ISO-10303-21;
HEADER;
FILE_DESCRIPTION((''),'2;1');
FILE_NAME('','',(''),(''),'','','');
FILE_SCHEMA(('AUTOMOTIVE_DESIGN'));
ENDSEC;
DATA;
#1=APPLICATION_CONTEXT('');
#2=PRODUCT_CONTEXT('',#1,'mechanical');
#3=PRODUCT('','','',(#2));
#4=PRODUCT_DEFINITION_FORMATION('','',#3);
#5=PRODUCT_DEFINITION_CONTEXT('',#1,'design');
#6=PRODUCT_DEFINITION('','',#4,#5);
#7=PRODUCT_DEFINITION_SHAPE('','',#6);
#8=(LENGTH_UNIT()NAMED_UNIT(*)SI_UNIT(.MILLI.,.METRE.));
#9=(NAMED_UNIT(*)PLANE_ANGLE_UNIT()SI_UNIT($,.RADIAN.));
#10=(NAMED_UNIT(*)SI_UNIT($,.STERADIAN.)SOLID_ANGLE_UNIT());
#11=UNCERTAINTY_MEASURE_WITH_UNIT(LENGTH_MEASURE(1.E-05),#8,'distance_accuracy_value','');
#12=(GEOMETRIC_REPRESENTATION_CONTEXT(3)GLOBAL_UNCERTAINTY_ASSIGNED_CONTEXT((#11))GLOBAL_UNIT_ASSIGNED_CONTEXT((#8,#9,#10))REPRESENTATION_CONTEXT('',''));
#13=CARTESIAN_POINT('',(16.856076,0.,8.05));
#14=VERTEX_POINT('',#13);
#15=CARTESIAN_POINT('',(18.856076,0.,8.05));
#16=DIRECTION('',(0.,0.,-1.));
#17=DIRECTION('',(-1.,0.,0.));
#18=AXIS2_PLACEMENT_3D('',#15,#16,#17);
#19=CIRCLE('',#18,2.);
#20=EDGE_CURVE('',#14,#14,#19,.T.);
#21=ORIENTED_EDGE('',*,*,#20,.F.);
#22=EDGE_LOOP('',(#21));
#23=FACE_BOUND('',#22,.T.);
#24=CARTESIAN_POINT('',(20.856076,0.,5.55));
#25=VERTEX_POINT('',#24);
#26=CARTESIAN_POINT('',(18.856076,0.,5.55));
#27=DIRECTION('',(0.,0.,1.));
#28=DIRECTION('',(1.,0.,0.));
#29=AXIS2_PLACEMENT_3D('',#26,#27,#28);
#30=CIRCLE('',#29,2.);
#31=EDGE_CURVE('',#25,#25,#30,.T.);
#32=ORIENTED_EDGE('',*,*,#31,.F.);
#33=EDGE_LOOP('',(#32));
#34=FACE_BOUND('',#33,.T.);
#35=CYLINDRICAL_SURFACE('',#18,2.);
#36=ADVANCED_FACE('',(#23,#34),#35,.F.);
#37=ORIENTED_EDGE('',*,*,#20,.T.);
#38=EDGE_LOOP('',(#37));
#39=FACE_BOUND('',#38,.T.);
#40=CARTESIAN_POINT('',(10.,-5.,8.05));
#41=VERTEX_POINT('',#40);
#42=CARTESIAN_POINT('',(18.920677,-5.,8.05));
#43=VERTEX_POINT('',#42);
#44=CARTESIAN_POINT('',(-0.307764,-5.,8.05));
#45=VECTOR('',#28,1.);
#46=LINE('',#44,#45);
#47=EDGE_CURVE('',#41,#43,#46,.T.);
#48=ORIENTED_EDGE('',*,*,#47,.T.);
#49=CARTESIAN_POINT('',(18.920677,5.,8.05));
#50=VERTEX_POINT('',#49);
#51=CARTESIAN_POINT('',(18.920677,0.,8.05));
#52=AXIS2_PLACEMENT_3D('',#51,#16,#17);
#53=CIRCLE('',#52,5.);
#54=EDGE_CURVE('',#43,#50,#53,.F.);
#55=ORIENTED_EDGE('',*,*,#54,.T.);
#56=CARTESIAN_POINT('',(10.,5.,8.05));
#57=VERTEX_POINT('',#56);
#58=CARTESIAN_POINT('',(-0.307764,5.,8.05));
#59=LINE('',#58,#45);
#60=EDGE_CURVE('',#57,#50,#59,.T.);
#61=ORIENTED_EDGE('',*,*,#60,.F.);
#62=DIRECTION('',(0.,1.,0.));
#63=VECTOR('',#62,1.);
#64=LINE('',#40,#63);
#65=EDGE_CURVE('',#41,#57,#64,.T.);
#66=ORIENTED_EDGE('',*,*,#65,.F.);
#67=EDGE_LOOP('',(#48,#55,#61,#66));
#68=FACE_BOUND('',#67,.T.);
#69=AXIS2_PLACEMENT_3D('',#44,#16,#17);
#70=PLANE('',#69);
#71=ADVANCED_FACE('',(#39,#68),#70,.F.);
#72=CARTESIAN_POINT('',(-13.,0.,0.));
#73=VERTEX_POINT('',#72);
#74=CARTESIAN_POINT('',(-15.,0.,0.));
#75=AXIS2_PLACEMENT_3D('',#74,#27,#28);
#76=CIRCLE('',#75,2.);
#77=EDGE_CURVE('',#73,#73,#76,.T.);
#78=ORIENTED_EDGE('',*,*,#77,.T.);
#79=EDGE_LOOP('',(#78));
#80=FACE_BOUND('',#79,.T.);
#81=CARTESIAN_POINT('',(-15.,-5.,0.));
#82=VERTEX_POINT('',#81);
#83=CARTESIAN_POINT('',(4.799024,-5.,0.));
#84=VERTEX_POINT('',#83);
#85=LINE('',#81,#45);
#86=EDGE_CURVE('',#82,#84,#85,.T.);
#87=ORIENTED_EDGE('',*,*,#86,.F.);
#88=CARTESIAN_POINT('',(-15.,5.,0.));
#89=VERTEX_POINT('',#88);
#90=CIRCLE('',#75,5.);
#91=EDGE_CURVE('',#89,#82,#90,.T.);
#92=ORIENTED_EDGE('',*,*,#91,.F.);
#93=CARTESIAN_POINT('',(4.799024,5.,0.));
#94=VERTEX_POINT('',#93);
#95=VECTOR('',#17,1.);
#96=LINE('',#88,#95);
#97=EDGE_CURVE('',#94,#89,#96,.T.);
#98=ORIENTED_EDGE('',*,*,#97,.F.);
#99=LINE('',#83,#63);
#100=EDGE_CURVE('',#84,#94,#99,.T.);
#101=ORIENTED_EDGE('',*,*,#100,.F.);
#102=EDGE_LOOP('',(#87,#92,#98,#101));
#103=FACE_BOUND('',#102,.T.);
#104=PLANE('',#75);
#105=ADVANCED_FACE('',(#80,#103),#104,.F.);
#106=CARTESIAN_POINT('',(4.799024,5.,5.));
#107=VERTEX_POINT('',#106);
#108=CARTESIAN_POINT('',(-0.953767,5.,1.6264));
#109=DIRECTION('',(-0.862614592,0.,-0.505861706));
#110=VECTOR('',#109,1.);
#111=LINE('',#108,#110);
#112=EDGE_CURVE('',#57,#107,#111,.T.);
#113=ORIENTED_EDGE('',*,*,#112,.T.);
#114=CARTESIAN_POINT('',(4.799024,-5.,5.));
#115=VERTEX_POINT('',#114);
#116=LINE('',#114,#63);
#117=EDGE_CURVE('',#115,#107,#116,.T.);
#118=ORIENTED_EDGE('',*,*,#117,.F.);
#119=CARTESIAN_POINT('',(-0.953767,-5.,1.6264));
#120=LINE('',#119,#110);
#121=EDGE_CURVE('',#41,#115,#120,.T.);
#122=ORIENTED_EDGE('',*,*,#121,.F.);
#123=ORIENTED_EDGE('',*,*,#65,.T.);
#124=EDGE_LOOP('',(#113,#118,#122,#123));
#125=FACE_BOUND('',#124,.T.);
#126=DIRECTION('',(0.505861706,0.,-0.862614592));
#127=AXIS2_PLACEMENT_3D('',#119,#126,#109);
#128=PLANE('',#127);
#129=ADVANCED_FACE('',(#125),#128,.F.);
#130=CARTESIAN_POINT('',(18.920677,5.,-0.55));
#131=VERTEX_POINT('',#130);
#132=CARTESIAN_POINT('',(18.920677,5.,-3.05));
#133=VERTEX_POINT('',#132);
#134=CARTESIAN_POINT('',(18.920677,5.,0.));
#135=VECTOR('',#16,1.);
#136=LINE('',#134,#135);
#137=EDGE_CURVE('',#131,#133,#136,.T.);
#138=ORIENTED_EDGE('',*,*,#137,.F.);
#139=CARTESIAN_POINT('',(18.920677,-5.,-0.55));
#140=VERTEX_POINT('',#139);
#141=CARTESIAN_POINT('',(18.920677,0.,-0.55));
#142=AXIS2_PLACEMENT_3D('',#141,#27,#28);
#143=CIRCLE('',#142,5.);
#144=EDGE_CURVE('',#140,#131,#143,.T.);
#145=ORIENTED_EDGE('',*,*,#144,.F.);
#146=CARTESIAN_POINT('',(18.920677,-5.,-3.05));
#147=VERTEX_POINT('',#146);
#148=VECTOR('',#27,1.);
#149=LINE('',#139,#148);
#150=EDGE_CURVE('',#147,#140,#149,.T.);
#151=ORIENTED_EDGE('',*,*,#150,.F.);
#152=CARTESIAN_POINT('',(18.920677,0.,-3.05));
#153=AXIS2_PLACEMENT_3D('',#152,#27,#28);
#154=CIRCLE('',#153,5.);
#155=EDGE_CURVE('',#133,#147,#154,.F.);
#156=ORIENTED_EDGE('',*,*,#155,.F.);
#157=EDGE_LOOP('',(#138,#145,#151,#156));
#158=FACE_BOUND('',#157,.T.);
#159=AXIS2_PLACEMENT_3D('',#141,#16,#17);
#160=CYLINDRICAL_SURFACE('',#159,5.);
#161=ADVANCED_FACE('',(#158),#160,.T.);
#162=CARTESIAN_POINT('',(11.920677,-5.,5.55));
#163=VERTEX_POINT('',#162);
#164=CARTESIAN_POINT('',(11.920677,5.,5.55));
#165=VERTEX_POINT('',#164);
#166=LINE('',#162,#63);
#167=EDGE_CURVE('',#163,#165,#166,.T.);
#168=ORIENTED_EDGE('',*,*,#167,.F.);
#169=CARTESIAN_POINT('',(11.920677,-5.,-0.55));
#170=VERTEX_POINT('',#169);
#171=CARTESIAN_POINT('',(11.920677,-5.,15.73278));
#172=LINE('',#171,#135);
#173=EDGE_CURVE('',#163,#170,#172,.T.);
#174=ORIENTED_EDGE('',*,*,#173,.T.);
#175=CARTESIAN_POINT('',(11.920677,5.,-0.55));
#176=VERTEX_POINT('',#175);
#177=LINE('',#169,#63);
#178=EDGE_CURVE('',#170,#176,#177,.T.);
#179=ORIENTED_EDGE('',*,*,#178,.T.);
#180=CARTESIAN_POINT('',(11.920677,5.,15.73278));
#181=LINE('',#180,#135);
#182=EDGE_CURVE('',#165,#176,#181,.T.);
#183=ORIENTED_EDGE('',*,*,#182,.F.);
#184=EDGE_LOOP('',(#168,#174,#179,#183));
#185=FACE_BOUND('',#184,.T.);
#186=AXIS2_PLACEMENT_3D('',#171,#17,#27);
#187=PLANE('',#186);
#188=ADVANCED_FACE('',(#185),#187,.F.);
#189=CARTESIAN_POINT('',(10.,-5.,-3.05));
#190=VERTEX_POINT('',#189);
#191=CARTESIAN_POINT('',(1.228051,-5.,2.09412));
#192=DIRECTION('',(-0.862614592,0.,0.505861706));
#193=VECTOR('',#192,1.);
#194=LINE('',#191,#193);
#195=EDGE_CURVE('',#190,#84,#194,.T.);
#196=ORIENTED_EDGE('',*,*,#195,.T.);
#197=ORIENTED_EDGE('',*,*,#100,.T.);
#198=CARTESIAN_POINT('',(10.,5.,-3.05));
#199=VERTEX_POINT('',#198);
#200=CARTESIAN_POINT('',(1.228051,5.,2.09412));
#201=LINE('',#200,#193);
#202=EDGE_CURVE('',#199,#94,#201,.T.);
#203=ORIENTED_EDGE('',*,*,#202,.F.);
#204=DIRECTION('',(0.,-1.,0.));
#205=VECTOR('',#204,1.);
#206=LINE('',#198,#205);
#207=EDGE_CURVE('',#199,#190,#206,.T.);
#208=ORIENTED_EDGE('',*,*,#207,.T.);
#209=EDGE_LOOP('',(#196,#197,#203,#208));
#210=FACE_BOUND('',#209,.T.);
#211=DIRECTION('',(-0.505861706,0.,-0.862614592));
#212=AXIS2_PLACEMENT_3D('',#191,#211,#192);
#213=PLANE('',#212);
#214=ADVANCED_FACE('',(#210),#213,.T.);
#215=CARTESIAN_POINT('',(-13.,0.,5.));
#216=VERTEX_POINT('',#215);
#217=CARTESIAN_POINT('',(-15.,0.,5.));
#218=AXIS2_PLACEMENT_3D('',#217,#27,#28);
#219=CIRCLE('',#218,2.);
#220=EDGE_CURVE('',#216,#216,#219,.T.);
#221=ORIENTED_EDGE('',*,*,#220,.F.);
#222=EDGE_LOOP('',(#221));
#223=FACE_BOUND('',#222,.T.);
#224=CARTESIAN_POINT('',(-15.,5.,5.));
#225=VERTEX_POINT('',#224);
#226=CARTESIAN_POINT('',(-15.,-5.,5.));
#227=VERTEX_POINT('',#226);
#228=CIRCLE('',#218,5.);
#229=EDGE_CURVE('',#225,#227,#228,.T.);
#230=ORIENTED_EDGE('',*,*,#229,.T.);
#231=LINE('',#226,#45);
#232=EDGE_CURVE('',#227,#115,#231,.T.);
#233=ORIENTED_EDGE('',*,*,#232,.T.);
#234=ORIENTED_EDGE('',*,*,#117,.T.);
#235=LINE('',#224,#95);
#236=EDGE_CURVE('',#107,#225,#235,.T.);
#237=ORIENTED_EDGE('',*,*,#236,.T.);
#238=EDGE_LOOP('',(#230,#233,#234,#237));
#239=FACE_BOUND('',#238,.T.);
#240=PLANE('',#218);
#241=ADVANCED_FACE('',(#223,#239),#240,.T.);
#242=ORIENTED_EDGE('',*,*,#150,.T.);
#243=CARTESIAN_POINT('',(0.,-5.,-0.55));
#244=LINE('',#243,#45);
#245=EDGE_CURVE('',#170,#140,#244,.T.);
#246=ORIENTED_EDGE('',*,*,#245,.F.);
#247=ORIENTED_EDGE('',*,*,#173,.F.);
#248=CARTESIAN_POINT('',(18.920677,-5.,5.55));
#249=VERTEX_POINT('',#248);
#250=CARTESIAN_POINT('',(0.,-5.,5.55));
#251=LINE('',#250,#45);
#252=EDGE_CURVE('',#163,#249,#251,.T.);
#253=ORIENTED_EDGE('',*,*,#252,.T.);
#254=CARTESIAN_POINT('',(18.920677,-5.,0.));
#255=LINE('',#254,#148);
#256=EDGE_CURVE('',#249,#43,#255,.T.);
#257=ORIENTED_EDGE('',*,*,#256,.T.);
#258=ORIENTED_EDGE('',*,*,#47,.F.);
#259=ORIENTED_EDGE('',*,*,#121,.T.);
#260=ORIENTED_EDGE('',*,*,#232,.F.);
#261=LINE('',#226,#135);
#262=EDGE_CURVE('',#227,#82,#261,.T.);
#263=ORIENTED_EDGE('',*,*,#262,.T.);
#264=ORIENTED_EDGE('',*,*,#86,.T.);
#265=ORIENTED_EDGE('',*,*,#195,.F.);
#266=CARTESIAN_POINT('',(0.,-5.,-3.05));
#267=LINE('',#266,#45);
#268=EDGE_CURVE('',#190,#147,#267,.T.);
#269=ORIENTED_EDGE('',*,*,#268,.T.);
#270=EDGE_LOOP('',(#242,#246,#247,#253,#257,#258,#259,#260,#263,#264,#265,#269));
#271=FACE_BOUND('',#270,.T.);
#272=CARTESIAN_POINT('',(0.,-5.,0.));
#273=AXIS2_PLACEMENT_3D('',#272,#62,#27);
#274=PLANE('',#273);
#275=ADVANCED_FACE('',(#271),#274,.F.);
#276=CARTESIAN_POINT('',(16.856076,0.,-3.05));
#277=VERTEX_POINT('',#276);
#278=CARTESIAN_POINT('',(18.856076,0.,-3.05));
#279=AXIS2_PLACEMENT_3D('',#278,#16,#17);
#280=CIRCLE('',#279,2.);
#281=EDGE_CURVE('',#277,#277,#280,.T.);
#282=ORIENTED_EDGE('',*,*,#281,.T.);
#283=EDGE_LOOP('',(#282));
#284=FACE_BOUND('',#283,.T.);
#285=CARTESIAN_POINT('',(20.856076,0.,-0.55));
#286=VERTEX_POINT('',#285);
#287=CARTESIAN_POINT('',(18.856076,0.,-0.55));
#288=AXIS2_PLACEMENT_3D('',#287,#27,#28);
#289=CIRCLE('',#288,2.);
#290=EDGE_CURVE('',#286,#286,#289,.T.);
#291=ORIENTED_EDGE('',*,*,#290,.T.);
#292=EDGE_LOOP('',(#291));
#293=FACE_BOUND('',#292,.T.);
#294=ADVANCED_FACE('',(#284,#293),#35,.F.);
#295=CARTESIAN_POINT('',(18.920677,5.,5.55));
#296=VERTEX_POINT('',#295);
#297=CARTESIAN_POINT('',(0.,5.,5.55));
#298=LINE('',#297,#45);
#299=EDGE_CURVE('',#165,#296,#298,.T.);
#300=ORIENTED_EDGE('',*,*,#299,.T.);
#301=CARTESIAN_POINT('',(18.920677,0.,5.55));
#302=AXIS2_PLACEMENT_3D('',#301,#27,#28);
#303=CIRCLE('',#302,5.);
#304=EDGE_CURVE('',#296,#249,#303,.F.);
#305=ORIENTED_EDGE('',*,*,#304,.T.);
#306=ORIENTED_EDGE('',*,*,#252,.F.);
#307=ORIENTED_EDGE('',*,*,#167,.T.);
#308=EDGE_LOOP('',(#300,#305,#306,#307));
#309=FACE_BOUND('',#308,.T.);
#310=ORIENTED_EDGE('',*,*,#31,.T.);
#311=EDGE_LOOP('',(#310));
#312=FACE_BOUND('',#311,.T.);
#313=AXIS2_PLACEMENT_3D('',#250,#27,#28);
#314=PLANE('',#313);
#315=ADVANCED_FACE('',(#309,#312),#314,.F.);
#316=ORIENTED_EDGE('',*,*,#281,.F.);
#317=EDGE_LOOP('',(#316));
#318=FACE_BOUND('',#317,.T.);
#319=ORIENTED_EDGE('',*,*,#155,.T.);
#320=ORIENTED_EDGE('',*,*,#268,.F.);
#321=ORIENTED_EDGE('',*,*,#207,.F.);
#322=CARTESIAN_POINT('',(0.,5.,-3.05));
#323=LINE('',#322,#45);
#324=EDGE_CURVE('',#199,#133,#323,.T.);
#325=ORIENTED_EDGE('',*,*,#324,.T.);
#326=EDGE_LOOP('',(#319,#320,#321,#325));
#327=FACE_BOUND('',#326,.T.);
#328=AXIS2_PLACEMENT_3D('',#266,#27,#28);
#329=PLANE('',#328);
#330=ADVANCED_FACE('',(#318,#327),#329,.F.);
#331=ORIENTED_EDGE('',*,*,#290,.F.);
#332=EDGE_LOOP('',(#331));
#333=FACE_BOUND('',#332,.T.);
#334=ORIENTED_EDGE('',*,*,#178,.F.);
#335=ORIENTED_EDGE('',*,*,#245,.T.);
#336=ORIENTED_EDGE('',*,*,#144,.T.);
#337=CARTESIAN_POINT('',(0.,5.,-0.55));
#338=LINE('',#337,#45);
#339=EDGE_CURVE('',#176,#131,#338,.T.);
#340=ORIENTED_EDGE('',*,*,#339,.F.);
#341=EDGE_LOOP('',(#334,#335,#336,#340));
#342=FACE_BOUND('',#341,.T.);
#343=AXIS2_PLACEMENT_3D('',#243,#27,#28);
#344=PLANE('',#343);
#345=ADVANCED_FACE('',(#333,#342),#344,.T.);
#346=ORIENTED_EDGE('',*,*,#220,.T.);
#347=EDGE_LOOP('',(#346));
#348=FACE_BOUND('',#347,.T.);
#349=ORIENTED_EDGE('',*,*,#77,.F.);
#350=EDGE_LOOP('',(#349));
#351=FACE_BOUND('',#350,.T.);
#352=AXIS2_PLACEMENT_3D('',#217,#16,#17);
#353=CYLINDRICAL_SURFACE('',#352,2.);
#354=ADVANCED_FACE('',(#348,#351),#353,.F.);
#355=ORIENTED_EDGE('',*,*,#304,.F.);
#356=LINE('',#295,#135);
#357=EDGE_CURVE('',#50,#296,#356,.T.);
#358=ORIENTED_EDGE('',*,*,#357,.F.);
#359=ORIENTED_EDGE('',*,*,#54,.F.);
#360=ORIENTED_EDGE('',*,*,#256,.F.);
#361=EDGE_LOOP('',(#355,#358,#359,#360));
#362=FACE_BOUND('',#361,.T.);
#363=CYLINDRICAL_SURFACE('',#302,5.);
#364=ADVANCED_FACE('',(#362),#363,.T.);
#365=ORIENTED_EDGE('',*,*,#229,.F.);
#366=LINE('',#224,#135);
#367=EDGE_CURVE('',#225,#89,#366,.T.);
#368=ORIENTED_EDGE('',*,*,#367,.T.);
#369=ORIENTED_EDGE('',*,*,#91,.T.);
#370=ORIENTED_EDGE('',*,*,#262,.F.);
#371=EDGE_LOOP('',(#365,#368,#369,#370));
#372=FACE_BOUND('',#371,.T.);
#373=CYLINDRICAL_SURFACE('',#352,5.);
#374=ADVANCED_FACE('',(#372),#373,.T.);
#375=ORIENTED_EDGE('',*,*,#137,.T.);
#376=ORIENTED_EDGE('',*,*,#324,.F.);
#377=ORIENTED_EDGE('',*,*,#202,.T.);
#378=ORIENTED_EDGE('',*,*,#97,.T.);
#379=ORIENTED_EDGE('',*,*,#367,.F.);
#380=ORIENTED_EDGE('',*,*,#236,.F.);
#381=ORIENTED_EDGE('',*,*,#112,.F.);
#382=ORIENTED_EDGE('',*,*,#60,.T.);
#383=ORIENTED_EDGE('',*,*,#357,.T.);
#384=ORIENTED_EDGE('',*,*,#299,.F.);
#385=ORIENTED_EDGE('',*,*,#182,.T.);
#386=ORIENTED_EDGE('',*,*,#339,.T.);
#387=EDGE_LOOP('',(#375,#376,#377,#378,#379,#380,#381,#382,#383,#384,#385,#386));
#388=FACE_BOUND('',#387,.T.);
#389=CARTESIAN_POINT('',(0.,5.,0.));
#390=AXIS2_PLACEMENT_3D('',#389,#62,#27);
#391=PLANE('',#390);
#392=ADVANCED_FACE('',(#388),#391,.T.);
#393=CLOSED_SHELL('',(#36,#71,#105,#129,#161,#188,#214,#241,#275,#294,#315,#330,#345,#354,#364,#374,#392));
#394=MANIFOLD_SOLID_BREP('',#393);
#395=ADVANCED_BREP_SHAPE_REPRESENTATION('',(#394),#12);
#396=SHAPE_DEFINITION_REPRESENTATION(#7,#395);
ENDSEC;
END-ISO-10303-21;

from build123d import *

# Parameters (mm, degrees)
ESQUISSE1_R             = 2
BOSS_EXTRU_1_DEPTH      = 5
ESQUISSE2_W             = 12
ESQUISSE2_H             = 2.5
BOSS_EXTRU_2_DEPTH      = 10
BOSS_EXTRU_2_2_DEPTH    = 10
ESQUISSE5_W             = 1.920676926
ESQUISSE5_H             = 10
BOSS_EXTRU_4_DEPTH      = 6.1
ESQUISSE7_W             = 2.5
ESQUISSE7_H             = 10
BOSS_EXTRU_6_DEPTH      = 1.920676926
CONG_4_RADIUS           = 5
CONG_4_LENGTH           = 2.5
BOSS_EXTRU_5_DEPTH      = 10
ESQUISSE4_R             = 2
ENL_V_MAT_EXTRU_2_DEPTH = 27.8404319
CONG_5_RADIUS           = 5
CONG_5_LENGTH           = 2.5


with BuildPart() as part:
    # Esquisse1 → Boss.-Extru.1 (new body)
    with BuildSketch(Plane.XY):
        with BuildLine():
            Line((-15, 5), (10, 5))
            Line((10, 5), (10, -5))
            Line((10, -5), (-15, -5))
            ThreePointArc((-15, -5), (-20, 0), (-15, 5))
        make_face()
        with Locations((-15, 0)):
            Circle(ESQUISSE1_R, mode=Mode.SUBTRACT)
    extrude(amount=BOSS_EXTRU_1_DEPTH)

    # Esquisse5 → Boss.-Extru.4 (add)
    with BuildSketch(Plane.XY.offset(-0.55)):
        with Locations((10.960338463, 0)):
            Rectangle(ESQUISSE5_W, ESQUISSE5_H)
    extrude(amount=BOSS_EXTRU_4_DEPTH)



with BuildPart() as body_2:
    # Esquisse2 → Boss.-Extru.2 (new, through all)
    with BuildSketch(Plane(origin=(0, 5, 0), x_dir=(1, 0, 0), z_dir=(0, 1, 0))):
        with Locations((17.920676926, 1.8)):
            Rectangle(ESQUISSE2_W, ESQUISSE2_H)
    extrude(amount=-BOSS_EXTRU_2_DEPTH)


with BuildPart() as body_3:
    # Esquisse2 → Boss.-Extru.2 2 (new, through all)
    with BuildSketch(Plane(origin=(0, 5, 0), x_dir=(1, 0, 0), z_dir=(0, 1, 0))):
        with Locations((17.920676926, -6.8)):
            Rectangle(ESQUISSE2_W, ESQUISSE2_H)
    extrude(amount=-BOSS_EXTRU_2_2_DEPTH)


with BuildPart() as part_1:
    add(part.part)

    add(body_2.part)  # Boss.-Extru.6 merges body 2

    add(body_3.part)  # Boss.-Extru.6 merges body 3
    # Esquisse7 → Boss.-Extru.6 (add)
    with BuildSketch(Plane.ZY.offset(-11.920676926)):
        with Locations((-1.8, 0)):
            Rectangle(ESQUISSE7_W, ESQUISSE7_H)
        with Locations((6.8, 0)):
            Rectangle(ESQUISSE7_W, ESQUISSE7_H)
    extrude(amount=BOSS_EXTRU_6_DEPTH)

    # Congé4: full round fillet: the end face becomes a half cylinder, R = half its width
    cong_4_face = Plane((23.920676926, 0, 6.8), x_dir=(0, 0, 1), z_dir=(1, 0, 0))  # on the end face: x along it, z out of the body
    cong_4_slab = cong_4_face.offset(-CONG_4_RADIUS / 2) * Box(CONG_4_LENGTH, 2 * CONG_4_RADIUS, CONG_4_RADIUS, mode=Mode.PRIVATE)  # the body's end, R deep
    cong_4_round = Plane((18.920676926, 0, 6.8), x_dir=(1, 0, 0), z_dir=(0, 0, 1)) * Cylinder(CONG_4_RADIUS, CONG_4_LENGTH, mode=Mode.PRIVATE)  # its axis R under the face
    add(cong_4_slab - cong_4_round, mode=Mode.SUBTRACT)

    # Esquisse6 → Boss.-Extru.5 (add, through all)
    with BuildSketch(Plane(origin=(0, 5, 0), x_dir=(1, 0, 0), z_dir=(0, 1, 0))):
        Polygon((10, 0), (10, 3.05), (4.799024164, 0), align=None)
        Polygon((4.799024164, -5), (10, -8.05), (10, -5), align=None)
    extrude(amount=-BOSS_EXTRU_5_DEPTH)

    # Esquisse4 → Enlèv. mat.-Extru.2 (cut, through all)
    with BuildSketch(Plane(origin=(0, 0, -3.05), x_dir=(-1, 0, 0), z_dir=(0, 0, -1))):
        with Locations((-18.856076392, 0)):
            Circle(ESQUISSE4_R)
    extrude(amount=-ENL_V_MAT_EXTRU_2_DEPTH, mode=Mode.SUBTRACT)

    # Congé5: full round fillet: the end face becomes a half cylinder, R = half its width
    cong_5_face = Plane((23.920676926, 0, -1.8), x_dir=(0, 0, -1), z_dir=(1, 0, 0))  # on the end face: x along it, z out of the body
    cong_5_slab = cong_5_face.offset(-CONG_5_RADIUS / 2) * Box(CONG_5_LENGTH, 2 * CONG_5_RADIUS, CONG_5_RADIUS, mode=Mode.PRIVATE)  # the body's end, R deep
    cong_5_round = Plane((18.920676926, 0, -1.8), x_dir=(1, 0, 0), z_dir=(0, 0, -1)) * Cylinder(CONG_5_RADIUS, CONG_5_LENGTH, mode=Mode.PRIVATE)  # its axis R under the face
    add(cong_5_slab - cong_5_round, mode=Mode.SUBTRACT)


solid = part_1.part
